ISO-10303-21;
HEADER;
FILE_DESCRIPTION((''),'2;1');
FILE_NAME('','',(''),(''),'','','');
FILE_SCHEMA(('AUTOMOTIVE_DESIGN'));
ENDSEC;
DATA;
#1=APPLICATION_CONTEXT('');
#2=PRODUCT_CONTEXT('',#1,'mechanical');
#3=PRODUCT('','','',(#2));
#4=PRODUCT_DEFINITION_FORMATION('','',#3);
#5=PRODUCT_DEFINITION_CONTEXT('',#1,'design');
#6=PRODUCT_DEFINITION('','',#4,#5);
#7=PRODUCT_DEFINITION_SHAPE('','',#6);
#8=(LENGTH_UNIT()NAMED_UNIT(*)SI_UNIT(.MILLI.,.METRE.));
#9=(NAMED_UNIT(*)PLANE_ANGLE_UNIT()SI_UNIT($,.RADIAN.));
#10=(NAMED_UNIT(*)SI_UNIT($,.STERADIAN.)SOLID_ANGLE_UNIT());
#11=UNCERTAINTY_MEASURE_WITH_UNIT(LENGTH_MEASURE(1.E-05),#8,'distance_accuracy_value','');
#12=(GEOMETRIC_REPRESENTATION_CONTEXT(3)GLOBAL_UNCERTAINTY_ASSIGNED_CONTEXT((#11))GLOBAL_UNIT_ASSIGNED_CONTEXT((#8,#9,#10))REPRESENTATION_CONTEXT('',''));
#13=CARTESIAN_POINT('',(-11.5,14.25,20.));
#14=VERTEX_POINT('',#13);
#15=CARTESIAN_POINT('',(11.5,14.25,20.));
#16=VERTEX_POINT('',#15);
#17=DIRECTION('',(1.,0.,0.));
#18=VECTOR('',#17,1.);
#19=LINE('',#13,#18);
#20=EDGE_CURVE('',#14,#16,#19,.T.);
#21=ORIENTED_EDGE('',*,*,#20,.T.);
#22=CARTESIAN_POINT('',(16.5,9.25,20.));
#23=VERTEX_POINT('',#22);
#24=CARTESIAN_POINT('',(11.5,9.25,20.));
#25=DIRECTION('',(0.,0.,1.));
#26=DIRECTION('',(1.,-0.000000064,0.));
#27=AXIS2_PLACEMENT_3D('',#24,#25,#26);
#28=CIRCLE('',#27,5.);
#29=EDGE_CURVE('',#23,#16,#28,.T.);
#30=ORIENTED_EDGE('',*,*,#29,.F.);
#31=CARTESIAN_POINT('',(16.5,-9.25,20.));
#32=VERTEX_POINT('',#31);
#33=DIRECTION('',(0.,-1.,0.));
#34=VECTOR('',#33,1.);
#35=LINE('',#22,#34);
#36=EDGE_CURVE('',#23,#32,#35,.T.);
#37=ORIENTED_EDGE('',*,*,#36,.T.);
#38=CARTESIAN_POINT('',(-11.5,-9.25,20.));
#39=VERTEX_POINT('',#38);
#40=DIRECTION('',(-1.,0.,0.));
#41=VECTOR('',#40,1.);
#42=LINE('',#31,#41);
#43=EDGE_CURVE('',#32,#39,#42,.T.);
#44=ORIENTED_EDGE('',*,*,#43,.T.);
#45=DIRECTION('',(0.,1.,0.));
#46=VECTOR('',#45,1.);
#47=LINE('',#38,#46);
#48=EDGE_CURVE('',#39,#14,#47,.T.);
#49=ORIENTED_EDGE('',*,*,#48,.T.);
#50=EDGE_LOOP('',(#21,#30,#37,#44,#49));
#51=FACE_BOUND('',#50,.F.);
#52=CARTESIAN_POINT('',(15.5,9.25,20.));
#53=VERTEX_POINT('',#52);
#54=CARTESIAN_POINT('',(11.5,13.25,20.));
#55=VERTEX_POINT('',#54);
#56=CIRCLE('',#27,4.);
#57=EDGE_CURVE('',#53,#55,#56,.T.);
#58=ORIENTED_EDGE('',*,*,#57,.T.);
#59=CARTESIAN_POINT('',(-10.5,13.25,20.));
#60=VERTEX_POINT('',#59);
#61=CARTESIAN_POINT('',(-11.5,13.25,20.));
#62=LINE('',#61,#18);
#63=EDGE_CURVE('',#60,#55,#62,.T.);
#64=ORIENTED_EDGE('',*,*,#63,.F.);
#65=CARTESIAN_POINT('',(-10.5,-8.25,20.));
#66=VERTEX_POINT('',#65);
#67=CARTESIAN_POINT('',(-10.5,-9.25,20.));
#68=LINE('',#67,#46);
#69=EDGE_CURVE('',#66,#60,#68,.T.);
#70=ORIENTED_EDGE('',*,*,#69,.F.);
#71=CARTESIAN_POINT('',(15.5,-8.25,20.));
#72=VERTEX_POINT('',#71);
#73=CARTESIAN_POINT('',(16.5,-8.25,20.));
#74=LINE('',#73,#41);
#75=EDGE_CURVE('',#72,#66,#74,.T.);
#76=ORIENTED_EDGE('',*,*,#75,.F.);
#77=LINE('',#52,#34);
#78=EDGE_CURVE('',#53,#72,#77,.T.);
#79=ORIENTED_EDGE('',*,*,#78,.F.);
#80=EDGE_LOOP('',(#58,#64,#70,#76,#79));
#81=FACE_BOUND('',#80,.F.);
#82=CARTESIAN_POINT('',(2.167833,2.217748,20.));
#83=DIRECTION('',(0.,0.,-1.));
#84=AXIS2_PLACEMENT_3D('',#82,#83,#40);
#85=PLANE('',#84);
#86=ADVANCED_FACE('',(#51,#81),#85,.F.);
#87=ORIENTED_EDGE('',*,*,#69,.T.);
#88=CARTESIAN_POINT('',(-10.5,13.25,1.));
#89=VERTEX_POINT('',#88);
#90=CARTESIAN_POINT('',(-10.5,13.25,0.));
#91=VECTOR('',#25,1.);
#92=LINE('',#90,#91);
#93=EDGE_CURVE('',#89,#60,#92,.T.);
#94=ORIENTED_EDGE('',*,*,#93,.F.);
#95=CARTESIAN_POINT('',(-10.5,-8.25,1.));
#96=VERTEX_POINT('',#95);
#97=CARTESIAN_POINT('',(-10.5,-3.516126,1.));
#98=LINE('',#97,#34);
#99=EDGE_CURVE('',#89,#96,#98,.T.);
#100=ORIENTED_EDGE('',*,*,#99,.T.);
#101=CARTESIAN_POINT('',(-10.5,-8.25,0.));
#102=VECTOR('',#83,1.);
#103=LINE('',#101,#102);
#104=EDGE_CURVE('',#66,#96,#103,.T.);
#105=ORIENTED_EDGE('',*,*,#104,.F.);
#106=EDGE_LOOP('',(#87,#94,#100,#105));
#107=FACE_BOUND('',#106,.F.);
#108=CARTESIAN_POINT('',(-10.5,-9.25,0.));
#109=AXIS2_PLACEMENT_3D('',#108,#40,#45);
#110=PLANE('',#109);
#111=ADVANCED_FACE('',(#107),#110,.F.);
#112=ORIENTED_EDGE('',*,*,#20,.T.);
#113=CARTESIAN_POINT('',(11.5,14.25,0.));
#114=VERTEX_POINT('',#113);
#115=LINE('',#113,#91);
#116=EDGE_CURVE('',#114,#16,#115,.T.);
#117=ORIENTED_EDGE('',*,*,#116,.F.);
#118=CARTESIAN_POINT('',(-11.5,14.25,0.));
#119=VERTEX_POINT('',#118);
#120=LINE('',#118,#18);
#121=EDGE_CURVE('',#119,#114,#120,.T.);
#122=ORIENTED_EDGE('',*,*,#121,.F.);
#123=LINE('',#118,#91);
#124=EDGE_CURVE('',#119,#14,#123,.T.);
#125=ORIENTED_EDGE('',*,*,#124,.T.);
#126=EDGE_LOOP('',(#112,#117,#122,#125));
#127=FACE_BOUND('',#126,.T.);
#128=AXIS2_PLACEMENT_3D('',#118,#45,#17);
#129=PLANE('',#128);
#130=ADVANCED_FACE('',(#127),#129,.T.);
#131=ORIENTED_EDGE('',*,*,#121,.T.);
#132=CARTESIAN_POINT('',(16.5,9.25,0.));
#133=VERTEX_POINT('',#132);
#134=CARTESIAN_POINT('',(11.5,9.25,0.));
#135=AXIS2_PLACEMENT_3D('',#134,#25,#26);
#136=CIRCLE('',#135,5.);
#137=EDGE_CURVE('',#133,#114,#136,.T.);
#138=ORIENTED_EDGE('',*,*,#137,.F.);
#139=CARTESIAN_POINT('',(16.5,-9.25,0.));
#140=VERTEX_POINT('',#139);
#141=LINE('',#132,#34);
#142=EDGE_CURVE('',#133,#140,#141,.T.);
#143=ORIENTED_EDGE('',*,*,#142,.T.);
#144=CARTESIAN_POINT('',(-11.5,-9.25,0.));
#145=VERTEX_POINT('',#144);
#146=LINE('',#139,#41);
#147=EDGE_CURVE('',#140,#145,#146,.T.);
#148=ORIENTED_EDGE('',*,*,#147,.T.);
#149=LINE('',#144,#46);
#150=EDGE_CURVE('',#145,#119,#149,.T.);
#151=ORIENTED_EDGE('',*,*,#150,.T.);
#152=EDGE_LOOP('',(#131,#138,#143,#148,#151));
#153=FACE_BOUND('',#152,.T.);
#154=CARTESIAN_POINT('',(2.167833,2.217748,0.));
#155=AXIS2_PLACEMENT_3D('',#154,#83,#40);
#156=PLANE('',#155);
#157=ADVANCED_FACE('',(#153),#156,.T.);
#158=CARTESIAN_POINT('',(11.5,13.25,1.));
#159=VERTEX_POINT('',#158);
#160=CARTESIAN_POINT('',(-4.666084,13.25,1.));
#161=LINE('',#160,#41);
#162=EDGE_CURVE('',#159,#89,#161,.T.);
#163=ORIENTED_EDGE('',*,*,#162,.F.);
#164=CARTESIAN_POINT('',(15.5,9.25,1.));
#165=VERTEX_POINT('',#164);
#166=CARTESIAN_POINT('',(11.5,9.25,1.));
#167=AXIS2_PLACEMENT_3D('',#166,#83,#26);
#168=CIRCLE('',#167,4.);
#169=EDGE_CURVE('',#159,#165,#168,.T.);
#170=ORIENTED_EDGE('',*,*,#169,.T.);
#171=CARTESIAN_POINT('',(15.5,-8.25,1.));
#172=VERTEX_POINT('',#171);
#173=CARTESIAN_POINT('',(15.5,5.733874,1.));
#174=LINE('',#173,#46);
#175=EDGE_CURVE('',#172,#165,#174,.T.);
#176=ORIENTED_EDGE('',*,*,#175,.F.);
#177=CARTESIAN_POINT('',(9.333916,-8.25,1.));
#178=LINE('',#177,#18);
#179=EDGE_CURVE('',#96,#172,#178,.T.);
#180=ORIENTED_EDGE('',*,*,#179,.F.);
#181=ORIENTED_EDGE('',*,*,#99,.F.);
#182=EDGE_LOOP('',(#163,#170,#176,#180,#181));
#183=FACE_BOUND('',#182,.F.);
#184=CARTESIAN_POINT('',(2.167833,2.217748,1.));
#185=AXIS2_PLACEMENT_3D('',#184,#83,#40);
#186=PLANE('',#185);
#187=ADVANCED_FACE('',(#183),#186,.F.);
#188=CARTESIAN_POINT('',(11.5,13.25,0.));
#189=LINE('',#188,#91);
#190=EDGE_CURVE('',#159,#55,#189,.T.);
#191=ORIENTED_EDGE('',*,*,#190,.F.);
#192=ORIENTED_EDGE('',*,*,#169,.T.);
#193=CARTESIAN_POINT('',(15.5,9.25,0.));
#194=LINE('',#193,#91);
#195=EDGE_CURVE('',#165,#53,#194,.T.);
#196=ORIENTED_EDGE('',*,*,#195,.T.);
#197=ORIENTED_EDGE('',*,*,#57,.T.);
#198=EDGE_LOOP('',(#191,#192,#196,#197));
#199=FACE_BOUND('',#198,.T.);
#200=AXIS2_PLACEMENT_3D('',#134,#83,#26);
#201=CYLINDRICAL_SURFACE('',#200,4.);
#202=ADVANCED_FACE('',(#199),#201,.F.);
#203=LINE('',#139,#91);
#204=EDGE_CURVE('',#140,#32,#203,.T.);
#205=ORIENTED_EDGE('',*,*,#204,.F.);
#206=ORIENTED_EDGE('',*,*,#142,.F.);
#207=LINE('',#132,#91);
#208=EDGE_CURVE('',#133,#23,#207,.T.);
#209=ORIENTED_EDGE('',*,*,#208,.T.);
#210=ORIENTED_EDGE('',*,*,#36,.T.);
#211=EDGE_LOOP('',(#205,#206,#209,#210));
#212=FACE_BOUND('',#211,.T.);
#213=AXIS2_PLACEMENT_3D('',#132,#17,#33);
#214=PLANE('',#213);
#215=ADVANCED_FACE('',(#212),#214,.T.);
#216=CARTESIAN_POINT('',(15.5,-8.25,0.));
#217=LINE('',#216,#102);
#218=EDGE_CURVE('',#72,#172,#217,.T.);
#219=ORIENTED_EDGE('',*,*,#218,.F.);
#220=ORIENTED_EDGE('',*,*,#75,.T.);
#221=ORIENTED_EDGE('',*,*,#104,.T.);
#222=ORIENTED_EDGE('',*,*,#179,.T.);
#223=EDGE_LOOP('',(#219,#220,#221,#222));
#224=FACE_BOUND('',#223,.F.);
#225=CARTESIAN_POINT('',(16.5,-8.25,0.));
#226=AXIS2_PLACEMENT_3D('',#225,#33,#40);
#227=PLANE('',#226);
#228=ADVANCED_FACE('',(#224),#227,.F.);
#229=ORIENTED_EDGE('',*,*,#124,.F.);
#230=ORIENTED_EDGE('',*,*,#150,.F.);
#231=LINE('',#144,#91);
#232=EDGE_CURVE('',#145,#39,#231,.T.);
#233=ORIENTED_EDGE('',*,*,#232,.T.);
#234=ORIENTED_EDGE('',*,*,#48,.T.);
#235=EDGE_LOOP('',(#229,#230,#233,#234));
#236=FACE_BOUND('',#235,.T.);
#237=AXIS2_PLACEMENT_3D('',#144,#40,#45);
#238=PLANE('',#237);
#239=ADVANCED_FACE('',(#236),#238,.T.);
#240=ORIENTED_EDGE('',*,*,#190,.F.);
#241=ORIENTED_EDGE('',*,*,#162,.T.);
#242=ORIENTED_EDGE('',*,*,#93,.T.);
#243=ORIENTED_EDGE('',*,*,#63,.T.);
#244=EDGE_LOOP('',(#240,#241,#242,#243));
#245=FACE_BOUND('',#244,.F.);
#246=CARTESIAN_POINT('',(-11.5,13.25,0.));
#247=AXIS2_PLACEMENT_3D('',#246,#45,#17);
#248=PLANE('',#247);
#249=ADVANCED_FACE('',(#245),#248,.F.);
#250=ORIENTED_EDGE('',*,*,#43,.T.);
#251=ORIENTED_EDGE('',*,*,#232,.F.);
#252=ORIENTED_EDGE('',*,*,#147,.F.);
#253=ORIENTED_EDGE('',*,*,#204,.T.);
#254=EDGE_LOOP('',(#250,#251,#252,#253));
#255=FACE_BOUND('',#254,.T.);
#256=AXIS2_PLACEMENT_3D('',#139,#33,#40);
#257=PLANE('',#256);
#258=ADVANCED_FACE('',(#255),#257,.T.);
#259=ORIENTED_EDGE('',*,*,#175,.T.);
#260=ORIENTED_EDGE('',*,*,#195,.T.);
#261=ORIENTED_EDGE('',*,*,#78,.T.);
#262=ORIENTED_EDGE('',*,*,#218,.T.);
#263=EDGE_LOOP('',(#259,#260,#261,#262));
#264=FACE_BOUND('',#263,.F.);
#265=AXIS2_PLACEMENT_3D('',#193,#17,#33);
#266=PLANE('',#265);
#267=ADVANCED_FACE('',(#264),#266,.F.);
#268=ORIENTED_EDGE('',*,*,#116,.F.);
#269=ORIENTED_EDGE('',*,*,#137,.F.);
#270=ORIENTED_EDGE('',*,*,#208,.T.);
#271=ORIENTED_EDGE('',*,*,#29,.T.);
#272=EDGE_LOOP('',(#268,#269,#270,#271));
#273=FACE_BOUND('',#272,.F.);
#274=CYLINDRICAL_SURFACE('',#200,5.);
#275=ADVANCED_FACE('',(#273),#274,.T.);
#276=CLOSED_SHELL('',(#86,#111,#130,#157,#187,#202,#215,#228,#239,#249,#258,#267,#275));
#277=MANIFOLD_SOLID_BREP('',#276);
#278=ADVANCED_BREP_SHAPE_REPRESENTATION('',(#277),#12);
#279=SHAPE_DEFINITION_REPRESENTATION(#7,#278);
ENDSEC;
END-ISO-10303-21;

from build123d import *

# Parameters (mm, degrees)
PAD_DEPTH   = 20
THICKNESS_T = -1


with BuildPart() as part:
    # Sketch → Pad (new body)
    with BuildSketch(Plane.XY):
        with BuildLine():
            Line((-11.5, 14.25), (11.5, 14.25))
            ThreePointArc((16.5, 9.25), (15.035534, 12.785534), (11.5, 14.25))
            Line((16.5, 9.25), (16.5, -9.25))
            Line((16.5, -9.25), (-11.5, -9.25))
            Line((-11.5, -9.25), (-11.5, 14.25))
        make_face()
    extrude(amount=PAD_DEPTH)

    # Thickness
    thickness_openings = [part.faces().sort_by_distance(p)[0] for p in [
        (2.394093, 2.412589, 20),
    ]]
    offset(amount=THICKNESS_T, openings=thickness_openings)


solid = part.part
